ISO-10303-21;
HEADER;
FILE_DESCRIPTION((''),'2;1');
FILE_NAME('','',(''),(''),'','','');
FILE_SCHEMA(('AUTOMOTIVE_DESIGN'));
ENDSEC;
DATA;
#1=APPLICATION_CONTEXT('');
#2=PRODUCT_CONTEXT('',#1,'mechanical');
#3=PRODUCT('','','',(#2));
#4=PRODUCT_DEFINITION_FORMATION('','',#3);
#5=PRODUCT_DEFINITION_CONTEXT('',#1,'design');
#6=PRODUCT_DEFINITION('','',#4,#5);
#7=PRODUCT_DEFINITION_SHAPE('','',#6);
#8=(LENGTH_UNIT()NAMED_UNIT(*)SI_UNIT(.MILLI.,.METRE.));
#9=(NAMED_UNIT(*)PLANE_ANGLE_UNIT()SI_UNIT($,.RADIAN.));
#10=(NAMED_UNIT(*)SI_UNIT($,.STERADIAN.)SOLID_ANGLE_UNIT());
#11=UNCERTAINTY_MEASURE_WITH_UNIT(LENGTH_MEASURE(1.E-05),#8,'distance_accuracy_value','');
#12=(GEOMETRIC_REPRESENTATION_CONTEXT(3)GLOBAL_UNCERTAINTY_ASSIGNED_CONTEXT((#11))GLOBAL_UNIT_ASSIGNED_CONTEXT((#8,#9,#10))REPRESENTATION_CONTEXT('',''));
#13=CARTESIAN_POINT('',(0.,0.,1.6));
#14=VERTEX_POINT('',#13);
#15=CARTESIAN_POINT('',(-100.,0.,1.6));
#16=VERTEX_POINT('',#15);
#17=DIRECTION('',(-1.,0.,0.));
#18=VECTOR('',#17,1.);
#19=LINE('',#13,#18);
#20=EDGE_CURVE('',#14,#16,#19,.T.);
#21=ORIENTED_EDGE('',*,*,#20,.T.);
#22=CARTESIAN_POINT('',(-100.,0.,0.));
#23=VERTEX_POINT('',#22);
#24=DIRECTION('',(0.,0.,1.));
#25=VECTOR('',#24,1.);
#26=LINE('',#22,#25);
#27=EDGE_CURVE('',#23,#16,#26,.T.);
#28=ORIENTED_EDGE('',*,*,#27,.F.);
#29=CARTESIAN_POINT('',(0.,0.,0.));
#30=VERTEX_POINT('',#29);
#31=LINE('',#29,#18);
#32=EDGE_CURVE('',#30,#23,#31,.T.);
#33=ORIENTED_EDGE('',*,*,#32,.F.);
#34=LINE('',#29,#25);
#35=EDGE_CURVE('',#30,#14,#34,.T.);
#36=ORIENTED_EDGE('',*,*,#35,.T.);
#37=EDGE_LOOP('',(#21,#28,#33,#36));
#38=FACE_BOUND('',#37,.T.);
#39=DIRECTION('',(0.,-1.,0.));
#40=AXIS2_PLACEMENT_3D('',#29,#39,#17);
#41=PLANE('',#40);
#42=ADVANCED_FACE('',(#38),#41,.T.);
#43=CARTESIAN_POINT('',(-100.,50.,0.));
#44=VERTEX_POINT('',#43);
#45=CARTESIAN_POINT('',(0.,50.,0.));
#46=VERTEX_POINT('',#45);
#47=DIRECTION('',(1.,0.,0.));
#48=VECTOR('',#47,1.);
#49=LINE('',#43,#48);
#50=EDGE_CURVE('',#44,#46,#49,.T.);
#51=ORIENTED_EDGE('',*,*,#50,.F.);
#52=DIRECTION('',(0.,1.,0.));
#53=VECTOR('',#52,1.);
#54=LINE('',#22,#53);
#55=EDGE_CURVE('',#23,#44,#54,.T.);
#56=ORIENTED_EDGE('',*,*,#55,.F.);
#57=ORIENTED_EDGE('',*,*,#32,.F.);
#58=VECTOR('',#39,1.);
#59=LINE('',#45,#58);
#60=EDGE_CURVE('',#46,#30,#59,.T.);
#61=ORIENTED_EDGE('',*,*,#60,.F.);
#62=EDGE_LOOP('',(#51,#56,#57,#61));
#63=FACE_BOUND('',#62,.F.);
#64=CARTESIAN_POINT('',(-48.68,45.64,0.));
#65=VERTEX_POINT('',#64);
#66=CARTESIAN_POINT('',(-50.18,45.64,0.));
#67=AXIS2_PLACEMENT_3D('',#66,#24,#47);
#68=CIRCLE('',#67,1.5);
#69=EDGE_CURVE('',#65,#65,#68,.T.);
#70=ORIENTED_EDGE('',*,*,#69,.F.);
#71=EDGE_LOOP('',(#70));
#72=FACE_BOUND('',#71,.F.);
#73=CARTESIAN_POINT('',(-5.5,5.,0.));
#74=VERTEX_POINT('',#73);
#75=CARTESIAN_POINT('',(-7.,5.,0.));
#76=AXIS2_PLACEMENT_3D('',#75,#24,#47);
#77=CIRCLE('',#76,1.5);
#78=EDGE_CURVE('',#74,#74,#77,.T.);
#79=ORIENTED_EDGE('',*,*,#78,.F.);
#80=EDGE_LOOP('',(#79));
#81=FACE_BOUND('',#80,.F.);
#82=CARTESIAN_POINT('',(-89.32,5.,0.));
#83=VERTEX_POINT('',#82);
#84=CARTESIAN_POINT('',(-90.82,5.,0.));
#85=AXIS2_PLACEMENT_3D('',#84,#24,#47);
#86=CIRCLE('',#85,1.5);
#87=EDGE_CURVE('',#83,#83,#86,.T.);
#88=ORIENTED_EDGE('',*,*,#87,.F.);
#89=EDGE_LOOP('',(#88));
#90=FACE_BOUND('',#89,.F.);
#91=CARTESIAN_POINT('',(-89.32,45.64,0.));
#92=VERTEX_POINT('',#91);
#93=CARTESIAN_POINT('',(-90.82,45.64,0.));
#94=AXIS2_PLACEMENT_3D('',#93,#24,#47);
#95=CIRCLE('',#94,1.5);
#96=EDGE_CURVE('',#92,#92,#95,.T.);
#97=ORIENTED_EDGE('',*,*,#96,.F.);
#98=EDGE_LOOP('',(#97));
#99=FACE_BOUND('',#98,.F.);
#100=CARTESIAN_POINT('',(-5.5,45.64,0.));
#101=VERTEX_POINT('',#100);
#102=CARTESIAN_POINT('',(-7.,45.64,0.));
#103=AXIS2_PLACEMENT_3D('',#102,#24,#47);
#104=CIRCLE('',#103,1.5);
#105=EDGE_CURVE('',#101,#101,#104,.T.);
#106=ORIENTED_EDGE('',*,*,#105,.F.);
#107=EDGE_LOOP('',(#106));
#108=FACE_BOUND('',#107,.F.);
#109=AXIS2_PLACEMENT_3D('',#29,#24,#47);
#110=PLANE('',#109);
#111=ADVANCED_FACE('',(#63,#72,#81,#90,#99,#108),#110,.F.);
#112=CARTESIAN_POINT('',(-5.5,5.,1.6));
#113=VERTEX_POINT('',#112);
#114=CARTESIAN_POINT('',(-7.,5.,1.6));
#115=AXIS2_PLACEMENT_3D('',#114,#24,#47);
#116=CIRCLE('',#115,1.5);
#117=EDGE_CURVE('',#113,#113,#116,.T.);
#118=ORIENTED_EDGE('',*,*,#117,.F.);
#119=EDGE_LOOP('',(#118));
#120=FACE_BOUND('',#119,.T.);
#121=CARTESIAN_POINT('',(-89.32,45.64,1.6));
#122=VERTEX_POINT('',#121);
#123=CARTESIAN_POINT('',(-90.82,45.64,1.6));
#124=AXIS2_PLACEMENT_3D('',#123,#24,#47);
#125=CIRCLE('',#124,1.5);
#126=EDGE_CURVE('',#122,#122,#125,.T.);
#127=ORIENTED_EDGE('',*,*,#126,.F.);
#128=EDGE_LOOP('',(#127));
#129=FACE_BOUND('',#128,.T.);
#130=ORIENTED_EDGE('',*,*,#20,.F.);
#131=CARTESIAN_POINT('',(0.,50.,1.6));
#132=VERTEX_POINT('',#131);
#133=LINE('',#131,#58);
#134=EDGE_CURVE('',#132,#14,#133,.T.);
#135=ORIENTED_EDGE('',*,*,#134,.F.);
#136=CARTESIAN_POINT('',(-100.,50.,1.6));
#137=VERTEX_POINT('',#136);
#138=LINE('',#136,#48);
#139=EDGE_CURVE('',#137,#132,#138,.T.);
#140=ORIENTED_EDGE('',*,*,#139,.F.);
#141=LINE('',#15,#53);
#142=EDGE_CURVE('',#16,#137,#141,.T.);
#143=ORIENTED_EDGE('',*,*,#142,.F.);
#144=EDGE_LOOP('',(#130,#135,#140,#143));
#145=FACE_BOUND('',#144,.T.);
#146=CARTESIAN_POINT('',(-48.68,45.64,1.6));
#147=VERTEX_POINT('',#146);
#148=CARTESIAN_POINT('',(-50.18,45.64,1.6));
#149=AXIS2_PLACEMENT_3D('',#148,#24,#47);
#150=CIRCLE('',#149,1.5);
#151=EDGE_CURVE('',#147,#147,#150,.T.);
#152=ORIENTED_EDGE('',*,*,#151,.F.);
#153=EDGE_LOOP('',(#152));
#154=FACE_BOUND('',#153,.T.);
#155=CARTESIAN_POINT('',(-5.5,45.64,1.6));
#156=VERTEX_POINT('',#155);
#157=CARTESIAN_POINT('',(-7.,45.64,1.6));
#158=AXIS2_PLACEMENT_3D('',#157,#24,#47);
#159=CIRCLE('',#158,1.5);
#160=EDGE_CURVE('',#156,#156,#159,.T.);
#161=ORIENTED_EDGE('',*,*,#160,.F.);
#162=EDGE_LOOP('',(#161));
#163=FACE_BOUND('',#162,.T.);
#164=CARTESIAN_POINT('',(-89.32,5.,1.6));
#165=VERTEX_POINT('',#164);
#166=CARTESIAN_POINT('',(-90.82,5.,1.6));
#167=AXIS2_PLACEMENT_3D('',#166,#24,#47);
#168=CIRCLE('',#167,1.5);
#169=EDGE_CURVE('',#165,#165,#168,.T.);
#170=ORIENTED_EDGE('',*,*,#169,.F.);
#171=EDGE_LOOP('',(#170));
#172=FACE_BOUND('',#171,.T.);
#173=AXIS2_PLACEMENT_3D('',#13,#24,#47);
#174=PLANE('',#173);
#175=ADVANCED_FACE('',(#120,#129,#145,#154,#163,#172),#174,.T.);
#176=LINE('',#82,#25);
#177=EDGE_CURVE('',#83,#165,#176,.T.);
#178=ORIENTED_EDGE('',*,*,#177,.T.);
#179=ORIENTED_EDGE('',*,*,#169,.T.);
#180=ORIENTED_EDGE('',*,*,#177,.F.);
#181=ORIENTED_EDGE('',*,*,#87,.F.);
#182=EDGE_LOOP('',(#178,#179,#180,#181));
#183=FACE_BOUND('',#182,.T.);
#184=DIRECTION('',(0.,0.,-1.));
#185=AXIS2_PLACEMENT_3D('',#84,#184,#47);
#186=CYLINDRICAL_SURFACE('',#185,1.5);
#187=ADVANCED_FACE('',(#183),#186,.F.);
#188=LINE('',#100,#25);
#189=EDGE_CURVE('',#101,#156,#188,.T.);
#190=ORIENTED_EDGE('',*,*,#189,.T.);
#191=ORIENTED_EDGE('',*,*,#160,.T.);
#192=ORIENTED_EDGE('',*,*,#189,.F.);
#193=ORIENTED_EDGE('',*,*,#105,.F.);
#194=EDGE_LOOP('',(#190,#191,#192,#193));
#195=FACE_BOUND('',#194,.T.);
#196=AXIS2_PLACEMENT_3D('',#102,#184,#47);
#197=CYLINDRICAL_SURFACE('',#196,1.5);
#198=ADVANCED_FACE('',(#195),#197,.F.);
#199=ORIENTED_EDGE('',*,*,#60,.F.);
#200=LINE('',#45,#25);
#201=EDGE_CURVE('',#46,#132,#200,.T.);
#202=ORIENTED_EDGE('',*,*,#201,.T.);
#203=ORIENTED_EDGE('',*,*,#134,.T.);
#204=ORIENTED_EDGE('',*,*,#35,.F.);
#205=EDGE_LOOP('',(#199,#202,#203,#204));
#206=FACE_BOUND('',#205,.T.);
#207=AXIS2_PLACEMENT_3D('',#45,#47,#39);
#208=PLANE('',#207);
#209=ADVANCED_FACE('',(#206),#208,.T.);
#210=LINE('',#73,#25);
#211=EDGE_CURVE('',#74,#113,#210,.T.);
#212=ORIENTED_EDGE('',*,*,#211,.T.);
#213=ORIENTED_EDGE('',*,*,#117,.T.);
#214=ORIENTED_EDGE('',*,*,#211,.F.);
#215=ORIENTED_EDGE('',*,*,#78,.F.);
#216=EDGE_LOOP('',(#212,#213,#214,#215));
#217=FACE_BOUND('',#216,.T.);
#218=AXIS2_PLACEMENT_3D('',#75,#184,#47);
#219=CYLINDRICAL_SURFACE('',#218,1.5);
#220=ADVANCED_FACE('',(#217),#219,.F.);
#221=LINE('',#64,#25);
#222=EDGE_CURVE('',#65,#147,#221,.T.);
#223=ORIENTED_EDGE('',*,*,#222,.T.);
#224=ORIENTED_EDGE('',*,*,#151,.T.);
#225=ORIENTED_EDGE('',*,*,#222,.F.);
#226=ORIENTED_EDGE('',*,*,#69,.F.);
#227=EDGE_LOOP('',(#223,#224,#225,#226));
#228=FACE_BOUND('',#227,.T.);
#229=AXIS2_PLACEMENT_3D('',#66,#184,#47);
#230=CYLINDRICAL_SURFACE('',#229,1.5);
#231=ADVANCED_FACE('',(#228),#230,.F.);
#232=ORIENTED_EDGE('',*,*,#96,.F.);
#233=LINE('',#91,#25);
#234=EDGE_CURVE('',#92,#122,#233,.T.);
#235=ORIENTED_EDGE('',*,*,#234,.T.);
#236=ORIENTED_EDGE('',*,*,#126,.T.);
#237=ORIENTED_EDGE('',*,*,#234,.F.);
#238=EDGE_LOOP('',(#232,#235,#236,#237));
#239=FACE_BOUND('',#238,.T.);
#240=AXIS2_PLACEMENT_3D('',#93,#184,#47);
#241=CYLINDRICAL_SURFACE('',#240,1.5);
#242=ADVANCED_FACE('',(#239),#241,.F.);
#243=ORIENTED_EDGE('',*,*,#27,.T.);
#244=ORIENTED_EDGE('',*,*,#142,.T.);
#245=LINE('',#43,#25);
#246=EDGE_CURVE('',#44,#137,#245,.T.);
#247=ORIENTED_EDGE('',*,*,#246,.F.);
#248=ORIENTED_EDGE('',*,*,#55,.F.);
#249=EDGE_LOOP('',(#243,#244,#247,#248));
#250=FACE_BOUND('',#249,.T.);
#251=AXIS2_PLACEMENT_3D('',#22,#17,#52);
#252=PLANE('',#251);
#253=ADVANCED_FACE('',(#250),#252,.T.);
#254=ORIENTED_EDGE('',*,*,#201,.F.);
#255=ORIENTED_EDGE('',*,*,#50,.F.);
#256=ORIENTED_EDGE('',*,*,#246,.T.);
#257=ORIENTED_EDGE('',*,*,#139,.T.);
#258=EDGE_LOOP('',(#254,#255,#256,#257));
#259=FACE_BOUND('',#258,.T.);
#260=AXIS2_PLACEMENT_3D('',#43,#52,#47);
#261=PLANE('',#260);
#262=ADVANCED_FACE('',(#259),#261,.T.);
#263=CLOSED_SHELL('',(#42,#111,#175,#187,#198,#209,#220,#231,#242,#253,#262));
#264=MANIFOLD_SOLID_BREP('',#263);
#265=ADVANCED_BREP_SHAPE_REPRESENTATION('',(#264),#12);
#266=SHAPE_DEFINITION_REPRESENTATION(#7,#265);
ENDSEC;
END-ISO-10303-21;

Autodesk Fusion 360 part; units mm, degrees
sketch "Skizze1" plane through (0, 0, 0) normal (0, 0, 1) x (1, 0, 0)
  line L0 (-100, 50) -> (0, 50)
  line L1 (0, 50) -> (0, 0)
  line L2 (0, 0) -> (-100, 0)
  line L3 (-100, 0) -> (-100, 50)
  line L4 (-100, 45.64) -> (0, 45.64) construction
  line L5 (-100, 5) -> (0, 5) construction
  line L6 (-7, 50) -> (-7, 0) construction
  line L7 (-90.82, 50) -> (-90.82, 0) construction
  line L8 (-50.18, 50) -> (-50.18, 0) construction
  circle A0 centre (-90.82, 5) radius 1.5
  circle A1 centre (-90.82, 45.64) radius 1.5
  circle A2 centre (-7, 45.64) radius 1.5
  circle A3 centre (-7, 5) radius 1.5
  circle A4 centre (-50.18, 45.64) radius 1.5
  line L9 (-12.08, 50) -> (-12.08, 0) construction
  line L10 (-88.28, 50) -> (-88.28, 0) construction
  line L11 (-12.08, 20.24) -> (-88.28, 20.24) construction
  line L12 (-12.08, 32.94) -> (-88.28, 32.94) construction
  line L13 (-90.82, 12.62) -> (-7, 12.62) construction
  line L14 (-90.82, 38.02) -> (-7, 38.02) construction
  line L15 (-60.34, 38.02) -> (-60.34, 12.62) construction
  line L16 (-70.5, 45.64) -> (-70.5, 5) construction
  line L17 (-83.2, 45.64) -> (-83.2, 5) construction
  line L18 (-70.5, 35.48) -> (-83.2, 35.48) construction
  line L19 (-70.5, 15.16) -> (-83.2, 15.16) construction
  point P0 (-12.08, 20.24)
  point P1 (-12.08, 32.94)
  point P2 (-88.28, 32.94)
  point P3 (-88.28, 20.24)
  point P4 (-7, 38.02)
  point P5 (-7, 12.62)
  point P6 (-60.34, 38.02)
  point P7 (-60.34, 12.62)
  point P8 (-70.5, 35.48)
  point P9 (-70.5, 15.16)
  point P10 (-83.2, 15.16)
  point P11 (-83.2, 35.48)
  dimension "d1" = 100
  dimension "d2" = 50
  dimension "d3" = 5
  dimension "d4" = 7
  dimension "d5" = 83.82
  dimension "d6" = 40.64
  dimension "d7" = 3
  dimension "d9" = 5.08
  dimension "d10" = 2.54
  dimension "d11" = 12.7
  dimension "d14" = 25.4
  dimension "d15" = 5.08
  dimension "d16" = 12.7
  dimension "d17" = 53.34
  dimension "d19" = 10.16
  dimension "d20" = 12.7
  dimension "d21" = 2.54
  dimension "d22" = 2.54
  dimension "d29" = 40.64
extrude "Extrusion1" add sketch "Skizze1" along normal blind 1.6
ref_plane "Arbeitsebene1" through (-50, 25, 12.6) normal (0, 0, 1) x (1, 0, 0)
sketch "Skizze2" plane through (0, 0, 12.6) normal (0, 0, 1) x (1, 0, 0)
  point P0 (-7, 38.02)
  point P1 (-7, 12.62)
  point P2 (-60.34, 38.02)
  point P3 (-60.34, 12.62)
  point P4 (-88.28, 32.94)
  point P5 (-88.28, 20.24)
ref_plane "Arbeitsebene2" through (-50, 25, -11) normal (0, 0, 1) x (1, 0, 0)
sketch "Skizze3" plane through (0, 0, -11) normal (0, 0, 1) x (1, 0, 0)
  point P0 (-83.2, 15.16)
  point P1 (-70.5, 15.16)
  point P2 (-70.5, 35.48)
  point P3 (-83.2, 35.48)
  point P4 (-12.08, 20.24)
  point P5 (-12.08, 32.94)
equation "d5 = 33 * 2.54 mm"
equation "d9 = ( 2 * 2.54 ) * 1 mm"
equation "d11 = ( 5 * 2.54 ) * 1 mm"
equation "d14 = ( 10 * 2.54 ) * 1 mm"
equation "d15 = 2 * 2.54 mm"
equation "d16 = ( 5 * 2.54 ) * 1 mm"
equation "d17 = ( 21 * 2.54 ) * 1 mm"
equation "d19 = ( 4 * 2.54 ) * 1 mm"
equation "d20 = ( 5 * 2.54 ) * 1 mm"
equation "d29 = ( 16 * 2.54 ) * 1 mm"
